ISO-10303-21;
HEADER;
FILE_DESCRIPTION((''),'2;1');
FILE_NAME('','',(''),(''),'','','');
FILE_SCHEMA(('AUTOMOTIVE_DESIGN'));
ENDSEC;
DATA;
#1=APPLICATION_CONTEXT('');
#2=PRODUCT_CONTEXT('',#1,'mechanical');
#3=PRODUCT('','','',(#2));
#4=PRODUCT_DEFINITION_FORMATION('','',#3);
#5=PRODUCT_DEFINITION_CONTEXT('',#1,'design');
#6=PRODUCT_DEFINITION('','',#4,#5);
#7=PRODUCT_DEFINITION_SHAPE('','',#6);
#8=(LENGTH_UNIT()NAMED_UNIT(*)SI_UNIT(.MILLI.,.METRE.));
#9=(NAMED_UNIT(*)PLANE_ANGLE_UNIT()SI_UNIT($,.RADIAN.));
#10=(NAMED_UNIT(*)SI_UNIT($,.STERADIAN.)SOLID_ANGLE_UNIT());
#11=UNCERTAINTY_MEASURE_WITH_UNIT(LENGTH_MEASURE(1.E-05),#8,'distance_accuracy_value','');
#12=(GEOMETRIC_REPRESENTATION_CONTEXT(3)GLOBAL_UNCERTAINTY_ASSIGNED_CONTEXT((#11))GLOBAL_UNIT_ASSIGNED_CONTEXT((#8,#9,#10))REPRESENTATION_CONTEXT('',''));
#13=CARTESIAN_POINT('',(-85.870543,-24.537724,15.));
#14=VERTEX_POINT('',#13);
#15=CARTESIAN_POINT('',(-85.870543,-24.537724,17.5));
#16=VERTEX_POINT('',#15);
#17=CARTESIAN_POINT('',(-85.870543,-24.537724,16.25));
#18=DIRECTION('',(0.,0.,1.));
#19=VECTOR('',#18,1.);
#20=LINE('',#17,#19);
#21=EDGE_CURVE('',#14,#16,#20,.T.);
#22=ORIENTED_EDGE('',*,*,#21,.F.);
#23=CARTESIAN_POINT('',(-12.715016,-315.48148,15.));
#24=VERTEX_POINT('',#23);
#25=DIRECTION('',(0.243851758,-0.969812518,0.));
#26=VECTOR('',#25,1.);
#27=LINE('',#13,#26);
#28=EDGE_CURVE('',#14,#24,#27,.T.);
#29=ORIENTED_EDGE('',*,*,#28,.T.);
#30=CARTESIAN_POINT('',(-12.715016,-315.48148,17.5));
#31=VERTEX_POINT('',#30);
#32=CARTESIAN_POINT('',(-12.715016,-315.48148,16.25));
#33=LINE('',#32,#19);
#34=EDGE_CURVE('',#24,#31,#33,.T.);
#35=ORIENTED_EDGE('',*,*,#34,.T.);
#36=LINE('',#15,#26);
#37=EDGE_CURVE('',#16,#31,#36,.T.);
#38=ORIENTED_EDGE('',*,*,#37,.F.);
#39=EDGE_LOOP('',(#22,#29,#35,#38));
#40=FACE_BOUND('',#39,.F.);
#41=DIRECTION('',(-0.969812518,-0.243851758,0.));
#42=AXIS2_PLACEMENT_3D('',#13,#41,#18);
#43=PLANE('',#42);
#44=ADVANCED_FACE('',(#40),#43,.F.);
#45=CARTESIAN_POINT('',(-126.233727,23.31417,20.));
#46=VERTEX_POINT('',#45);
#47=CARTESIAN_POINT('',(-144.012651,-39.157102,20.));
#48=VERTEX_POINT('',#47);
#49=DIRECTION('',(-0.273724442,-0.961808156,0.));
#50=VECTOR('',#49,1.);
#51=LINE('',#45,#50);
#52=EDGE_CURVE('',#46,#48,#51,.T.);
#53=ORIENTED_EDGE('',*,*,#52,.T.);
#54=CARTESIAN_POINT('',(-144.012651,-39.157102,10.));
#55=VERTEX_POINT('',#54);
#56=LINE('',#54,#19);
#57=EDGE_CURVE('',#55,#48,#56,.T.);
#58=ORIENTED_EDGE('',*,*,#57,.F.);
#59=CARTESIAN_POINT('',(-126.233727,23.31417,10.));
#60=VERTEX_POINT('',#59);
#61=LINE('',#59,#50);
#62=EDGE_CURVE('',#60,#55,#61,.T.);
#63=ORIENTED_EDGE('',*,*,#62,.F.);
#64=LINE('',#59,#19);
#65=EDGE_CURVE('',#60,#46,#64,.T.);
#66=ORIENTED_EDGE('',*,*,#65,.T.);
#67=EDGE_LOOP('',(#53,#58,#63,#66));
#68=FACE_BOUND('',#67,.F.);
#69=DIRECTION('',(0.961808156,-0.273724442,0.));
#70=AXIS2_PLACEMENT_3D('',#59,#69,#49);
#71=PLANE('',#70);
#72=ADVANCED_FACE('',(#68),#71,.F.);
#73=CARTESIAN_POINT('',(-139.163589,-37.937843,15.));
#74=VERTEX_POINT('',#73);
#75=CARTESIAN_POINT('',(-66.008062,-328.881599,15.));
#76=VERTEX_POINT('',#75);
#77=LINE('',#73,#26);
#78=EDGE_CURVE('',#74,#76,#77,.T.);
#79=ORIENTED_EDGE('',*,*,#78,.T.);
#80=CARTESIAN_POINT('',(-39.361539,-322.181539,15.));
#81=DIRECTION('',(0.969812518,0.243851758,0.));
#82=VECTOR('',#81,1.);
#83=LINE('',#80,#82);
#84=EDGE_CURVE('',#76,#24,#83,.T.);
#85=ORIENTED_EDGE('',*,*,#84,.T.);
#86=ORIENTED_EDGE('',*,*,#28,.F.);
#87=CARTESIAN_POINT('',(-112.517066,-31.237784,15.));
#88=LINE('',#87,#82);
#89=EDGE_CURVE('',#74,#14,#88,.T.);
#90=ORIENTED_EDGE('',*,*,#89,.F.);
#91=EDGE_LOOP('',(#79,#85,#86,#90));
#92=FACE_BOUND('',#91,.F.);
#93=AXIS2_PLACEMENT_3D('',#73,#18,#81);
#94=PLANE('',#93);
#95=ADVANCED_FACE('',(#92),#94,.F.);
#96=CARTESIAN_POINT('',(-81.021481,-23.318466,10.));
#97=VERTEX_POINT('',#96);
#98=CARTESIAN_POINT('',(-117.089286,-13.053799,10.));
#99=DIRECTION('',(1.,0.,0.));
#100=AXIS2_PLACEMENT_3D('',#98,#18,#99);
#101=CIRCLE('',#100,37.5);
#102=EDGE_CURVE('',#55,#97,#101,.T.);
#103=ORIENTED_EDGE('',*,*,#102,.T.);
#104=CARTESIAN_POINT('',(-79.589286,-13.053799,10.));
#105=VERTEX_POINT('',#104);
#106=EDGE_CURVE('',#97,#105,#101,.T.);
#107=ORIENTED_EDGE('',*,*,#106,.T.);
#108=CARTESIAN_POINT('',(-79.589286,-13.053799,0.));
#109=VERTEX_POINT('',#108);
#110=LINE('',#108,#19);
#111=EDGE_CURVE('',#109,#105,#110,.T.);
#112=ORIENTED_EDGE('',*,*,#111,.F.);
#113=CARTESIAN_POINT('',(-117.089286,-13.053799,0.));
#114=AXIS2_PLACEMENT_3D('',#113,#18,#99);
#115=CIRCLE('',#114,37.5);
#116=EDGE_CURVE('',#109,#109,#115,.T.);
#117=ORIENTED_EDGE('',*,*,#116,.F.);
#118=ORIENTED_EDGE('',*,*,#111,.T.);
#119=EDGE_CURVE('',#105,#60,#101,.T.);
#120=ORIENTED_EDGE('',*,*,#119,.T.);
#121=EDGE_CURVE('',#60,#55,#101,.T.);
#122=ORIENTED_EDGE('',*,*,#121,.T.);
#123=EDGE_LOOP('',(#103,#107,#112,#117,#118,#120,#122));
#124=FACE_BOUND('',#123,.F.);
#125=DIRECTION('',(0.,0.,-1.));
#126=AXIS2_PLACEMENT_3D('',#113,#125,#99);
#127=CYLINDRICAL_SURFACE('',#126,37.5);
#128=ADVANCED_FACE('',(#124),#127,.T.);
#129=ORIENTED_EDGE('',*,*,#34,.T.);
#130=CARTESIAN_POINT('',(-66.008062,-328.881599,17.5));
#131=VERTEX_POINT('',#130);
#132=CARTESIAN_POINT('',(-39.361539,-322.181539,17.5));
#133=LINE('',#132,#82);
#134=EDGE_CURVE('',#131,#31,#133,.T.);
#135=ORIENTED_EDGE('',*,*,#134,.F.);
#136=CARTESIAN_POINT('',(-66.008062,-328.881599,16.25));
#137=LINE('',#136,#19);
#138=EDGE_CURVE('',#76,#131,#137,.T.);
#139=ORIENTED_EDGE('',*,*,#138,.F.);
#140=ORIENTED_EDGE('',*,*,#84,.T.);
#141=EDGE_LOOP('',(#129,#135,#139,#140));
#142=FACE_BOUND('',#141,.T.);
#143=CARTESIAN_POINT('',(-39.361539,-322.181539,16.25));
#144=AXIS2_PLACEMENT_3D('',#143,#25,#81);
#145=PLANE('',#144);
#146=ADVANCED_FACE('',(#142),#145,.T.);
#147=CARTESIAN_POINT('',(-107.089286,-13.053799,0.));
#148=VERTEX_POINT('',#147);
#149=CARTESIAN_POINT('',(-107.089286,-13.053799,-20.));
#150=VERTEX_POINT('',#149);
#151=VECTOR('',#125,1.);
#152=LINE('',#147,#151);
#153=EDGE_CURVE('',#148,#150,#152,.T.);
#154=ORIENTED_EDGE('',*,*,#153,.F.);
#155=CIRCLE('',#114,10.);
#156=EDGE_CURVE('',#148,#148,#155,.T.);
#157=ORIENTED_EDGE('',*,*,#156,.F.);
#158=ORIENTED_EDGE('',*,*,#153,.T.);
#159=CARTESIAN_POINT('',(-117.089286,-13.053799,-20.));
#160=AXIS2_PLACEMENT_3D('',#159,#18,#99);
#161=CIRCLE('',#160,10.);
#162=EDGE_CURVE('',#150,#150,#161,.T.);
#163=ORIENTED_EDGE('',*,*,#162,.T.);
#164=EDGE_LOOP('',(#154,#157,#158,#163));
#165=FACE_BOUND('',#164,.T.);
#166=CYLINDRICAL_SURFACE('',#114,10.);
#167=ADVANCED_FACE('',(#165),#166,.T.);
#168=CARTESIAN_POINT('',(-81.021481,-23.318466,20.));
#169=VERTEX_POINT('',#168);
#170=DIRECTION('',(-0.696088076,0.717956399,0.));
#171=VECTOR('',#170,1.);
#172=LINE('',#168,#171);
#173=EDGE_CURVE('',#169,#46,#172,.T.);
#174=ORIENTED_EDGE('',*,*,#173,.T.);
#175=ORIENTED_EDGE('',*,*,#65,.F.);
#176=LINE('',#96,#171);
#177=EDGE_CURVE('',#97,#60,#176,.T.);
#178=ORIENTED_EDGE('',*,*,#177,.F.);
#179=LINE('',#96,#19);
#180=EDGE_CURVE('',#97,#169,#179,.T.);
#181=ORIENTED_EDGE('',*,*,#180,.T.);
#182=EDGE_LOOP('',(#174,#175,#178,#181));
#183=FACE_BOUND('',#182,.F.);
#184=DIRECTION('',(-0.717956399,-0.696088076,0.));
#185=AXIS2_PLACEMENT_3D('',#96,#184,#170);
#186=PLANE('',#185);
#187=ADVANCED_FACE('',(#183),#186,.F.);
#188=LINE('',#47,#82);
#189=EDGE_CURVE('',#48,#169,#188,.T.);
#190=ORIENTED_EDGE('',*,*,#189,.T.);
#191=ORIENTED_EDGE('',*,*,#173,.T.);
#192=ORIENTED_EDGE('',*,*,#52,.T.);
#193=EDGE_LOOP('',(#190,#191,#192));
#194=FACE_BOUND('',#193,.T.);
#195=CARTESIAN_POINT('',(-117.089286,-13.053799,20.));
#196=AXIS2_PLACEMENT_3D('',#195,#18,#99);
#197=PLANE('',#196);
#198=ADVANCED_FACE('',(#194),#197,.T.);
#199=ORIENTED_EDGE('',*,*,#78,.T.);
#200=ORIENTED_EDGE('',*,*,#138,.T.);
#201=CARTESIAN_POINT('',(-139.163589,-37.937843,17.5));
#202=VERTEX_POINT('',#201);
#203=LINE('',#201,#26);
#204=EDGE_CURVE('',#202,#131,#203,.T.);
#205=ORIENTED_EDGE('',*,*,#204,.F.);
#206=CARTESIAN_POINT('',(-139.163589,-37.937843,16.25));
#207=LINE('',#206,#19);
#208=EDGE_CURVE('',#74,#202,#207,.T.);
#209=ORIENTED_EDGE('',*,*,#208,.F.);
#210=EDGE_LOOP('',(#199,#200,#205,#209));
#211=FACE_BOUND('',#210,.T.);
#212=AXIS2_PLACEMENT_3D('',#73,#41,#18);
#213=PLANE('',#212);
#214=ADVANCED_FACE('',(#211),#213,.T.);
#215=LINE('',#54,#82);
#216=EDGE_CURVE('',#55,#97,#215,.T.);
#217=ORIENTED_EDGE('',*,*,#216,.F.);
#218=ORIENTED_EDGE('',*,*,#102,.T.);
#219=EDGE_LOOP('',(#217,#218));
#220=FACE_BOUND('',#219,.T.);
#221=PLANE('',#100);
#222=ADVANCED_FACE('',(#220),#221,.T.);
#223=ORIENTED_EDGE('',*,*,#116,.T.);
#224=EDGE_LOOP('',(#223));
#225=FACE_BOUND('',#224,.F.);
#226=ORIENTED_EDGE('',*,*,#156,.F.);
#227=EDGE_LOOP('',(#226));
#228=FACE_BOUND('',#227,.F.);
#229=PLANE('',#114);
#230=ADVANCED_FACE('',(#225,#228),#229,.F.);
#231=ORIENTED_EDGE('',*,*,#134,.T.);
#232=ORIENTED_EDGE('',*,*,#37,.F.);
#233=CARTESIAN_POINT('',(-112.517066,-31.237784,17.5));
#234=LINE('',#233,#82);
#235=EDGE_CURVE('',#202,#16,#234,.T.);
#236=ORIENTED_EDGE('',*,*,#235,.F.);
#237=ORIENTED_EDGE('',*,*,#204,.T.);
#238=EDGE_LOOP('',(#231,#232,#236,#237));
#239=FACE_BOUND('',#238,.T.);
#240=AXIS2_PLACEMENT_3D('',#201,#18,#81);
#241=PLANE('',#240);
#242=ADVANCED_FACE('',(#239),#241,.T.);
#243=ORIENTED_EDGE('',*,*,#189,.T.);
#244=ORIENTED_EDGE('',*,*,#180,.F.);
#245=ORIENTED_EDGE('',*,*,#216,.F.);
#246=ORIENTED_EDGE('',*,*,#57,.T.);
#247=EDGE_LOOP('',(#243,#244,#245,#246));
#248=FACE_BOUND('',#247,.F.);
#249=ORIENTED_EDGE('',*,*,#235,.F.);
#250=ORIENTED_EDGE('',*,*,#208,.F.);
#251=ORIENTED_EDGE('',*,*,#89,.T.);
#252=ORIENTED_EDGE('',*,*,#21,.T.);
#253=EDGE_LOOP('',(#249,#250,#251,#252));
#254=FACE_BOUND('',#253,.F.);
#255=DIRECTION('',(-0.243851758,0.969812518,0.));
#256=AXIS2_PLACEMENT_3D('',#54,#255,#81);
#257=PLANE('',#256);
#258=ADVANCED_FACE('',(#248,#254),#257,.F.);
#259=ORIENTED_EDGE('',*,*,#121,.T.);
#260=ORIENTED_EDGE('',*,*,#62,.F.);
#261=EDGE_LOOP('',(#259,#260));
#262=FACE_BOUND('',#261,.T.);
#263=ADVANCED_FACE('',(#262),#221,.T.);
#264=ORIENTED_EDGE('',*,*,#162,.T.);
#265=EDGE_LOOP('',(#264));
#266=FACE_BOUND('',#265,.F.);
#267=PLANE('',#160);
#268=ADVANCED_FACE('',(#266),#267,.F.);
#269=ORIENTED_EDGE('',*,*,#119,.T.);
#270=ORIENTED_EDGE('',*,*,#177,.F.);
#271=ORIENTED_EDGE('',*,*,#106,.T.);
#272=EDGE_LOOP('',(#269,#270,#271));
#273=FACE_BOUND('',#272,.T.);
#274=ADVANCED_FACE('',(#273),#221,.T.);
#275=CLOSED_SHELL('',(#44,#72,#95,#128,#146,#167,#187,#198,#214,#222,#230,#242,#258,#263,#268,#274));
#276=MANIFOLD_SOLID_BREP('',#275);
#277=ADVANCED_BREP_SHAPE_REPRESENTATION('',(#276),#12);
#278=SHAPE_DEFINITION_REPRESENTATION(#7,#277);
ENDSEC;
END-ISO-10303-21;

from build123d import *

# Parameters (mm, degrees)
F0_R     = 37.5
F0_R_2   = 10
F1_DEPTH = 10
F3_DEPTH = 10
F4_W     = 54.9519052838
F4_H     = 2.5
F5_DEPTH = 300
F6_DEPTH = 20


with BuildPart() as f1:
    # F0 (on Top) → F1 (new body)
    with BuildSketch(Plane.XY):
        with Locations((-117.0892864466, -13.0537990481)):
            Circle(F0_R)
        with Locations((-117.0892864466, -13.0537990481)):
            Circle(F0_R_2, mode=Mode.SUBTRACT)
        with Locations((-117.0892864466, -13.0537990481)):
            Circle(F0_R_2)
    extrude(amount=F1_DEPTH)

    # F2 (on face) → F3 (join)
    with BuildSketch(Plane.XY.offset(10)):
        Polygon((-144.0126514019, -39.1571018943), (-81.0214805814, -23.3184656317), (-126.2337273564, 23.3141703817), align=None)
    extrude(amount=F3_DEPTH)

    # F4 (on face) → F5 (join)
    with BuildSketch(Plane(origin=(0.6967599266, -2.7710544537, 0), x_dir=(0.9698125181, 0.2438517576, 0), z_dir=(0.2438517576, -0.9698125181, 0))):
        with Locations((-116.7378475757, 16.25)):
            Rectangle(F4_W, F4_H)
    extrude(amount=F5_DEPTH)

    # F0 (on Top) → F6 (join)
    with BuildSketch(Plane.XY):
        with Locations((-117.0892864466, -13.0537990481)):
            Circle(F0_R_2)
    extrude(amount=-F6_DEPTH)


solid = f1.part
